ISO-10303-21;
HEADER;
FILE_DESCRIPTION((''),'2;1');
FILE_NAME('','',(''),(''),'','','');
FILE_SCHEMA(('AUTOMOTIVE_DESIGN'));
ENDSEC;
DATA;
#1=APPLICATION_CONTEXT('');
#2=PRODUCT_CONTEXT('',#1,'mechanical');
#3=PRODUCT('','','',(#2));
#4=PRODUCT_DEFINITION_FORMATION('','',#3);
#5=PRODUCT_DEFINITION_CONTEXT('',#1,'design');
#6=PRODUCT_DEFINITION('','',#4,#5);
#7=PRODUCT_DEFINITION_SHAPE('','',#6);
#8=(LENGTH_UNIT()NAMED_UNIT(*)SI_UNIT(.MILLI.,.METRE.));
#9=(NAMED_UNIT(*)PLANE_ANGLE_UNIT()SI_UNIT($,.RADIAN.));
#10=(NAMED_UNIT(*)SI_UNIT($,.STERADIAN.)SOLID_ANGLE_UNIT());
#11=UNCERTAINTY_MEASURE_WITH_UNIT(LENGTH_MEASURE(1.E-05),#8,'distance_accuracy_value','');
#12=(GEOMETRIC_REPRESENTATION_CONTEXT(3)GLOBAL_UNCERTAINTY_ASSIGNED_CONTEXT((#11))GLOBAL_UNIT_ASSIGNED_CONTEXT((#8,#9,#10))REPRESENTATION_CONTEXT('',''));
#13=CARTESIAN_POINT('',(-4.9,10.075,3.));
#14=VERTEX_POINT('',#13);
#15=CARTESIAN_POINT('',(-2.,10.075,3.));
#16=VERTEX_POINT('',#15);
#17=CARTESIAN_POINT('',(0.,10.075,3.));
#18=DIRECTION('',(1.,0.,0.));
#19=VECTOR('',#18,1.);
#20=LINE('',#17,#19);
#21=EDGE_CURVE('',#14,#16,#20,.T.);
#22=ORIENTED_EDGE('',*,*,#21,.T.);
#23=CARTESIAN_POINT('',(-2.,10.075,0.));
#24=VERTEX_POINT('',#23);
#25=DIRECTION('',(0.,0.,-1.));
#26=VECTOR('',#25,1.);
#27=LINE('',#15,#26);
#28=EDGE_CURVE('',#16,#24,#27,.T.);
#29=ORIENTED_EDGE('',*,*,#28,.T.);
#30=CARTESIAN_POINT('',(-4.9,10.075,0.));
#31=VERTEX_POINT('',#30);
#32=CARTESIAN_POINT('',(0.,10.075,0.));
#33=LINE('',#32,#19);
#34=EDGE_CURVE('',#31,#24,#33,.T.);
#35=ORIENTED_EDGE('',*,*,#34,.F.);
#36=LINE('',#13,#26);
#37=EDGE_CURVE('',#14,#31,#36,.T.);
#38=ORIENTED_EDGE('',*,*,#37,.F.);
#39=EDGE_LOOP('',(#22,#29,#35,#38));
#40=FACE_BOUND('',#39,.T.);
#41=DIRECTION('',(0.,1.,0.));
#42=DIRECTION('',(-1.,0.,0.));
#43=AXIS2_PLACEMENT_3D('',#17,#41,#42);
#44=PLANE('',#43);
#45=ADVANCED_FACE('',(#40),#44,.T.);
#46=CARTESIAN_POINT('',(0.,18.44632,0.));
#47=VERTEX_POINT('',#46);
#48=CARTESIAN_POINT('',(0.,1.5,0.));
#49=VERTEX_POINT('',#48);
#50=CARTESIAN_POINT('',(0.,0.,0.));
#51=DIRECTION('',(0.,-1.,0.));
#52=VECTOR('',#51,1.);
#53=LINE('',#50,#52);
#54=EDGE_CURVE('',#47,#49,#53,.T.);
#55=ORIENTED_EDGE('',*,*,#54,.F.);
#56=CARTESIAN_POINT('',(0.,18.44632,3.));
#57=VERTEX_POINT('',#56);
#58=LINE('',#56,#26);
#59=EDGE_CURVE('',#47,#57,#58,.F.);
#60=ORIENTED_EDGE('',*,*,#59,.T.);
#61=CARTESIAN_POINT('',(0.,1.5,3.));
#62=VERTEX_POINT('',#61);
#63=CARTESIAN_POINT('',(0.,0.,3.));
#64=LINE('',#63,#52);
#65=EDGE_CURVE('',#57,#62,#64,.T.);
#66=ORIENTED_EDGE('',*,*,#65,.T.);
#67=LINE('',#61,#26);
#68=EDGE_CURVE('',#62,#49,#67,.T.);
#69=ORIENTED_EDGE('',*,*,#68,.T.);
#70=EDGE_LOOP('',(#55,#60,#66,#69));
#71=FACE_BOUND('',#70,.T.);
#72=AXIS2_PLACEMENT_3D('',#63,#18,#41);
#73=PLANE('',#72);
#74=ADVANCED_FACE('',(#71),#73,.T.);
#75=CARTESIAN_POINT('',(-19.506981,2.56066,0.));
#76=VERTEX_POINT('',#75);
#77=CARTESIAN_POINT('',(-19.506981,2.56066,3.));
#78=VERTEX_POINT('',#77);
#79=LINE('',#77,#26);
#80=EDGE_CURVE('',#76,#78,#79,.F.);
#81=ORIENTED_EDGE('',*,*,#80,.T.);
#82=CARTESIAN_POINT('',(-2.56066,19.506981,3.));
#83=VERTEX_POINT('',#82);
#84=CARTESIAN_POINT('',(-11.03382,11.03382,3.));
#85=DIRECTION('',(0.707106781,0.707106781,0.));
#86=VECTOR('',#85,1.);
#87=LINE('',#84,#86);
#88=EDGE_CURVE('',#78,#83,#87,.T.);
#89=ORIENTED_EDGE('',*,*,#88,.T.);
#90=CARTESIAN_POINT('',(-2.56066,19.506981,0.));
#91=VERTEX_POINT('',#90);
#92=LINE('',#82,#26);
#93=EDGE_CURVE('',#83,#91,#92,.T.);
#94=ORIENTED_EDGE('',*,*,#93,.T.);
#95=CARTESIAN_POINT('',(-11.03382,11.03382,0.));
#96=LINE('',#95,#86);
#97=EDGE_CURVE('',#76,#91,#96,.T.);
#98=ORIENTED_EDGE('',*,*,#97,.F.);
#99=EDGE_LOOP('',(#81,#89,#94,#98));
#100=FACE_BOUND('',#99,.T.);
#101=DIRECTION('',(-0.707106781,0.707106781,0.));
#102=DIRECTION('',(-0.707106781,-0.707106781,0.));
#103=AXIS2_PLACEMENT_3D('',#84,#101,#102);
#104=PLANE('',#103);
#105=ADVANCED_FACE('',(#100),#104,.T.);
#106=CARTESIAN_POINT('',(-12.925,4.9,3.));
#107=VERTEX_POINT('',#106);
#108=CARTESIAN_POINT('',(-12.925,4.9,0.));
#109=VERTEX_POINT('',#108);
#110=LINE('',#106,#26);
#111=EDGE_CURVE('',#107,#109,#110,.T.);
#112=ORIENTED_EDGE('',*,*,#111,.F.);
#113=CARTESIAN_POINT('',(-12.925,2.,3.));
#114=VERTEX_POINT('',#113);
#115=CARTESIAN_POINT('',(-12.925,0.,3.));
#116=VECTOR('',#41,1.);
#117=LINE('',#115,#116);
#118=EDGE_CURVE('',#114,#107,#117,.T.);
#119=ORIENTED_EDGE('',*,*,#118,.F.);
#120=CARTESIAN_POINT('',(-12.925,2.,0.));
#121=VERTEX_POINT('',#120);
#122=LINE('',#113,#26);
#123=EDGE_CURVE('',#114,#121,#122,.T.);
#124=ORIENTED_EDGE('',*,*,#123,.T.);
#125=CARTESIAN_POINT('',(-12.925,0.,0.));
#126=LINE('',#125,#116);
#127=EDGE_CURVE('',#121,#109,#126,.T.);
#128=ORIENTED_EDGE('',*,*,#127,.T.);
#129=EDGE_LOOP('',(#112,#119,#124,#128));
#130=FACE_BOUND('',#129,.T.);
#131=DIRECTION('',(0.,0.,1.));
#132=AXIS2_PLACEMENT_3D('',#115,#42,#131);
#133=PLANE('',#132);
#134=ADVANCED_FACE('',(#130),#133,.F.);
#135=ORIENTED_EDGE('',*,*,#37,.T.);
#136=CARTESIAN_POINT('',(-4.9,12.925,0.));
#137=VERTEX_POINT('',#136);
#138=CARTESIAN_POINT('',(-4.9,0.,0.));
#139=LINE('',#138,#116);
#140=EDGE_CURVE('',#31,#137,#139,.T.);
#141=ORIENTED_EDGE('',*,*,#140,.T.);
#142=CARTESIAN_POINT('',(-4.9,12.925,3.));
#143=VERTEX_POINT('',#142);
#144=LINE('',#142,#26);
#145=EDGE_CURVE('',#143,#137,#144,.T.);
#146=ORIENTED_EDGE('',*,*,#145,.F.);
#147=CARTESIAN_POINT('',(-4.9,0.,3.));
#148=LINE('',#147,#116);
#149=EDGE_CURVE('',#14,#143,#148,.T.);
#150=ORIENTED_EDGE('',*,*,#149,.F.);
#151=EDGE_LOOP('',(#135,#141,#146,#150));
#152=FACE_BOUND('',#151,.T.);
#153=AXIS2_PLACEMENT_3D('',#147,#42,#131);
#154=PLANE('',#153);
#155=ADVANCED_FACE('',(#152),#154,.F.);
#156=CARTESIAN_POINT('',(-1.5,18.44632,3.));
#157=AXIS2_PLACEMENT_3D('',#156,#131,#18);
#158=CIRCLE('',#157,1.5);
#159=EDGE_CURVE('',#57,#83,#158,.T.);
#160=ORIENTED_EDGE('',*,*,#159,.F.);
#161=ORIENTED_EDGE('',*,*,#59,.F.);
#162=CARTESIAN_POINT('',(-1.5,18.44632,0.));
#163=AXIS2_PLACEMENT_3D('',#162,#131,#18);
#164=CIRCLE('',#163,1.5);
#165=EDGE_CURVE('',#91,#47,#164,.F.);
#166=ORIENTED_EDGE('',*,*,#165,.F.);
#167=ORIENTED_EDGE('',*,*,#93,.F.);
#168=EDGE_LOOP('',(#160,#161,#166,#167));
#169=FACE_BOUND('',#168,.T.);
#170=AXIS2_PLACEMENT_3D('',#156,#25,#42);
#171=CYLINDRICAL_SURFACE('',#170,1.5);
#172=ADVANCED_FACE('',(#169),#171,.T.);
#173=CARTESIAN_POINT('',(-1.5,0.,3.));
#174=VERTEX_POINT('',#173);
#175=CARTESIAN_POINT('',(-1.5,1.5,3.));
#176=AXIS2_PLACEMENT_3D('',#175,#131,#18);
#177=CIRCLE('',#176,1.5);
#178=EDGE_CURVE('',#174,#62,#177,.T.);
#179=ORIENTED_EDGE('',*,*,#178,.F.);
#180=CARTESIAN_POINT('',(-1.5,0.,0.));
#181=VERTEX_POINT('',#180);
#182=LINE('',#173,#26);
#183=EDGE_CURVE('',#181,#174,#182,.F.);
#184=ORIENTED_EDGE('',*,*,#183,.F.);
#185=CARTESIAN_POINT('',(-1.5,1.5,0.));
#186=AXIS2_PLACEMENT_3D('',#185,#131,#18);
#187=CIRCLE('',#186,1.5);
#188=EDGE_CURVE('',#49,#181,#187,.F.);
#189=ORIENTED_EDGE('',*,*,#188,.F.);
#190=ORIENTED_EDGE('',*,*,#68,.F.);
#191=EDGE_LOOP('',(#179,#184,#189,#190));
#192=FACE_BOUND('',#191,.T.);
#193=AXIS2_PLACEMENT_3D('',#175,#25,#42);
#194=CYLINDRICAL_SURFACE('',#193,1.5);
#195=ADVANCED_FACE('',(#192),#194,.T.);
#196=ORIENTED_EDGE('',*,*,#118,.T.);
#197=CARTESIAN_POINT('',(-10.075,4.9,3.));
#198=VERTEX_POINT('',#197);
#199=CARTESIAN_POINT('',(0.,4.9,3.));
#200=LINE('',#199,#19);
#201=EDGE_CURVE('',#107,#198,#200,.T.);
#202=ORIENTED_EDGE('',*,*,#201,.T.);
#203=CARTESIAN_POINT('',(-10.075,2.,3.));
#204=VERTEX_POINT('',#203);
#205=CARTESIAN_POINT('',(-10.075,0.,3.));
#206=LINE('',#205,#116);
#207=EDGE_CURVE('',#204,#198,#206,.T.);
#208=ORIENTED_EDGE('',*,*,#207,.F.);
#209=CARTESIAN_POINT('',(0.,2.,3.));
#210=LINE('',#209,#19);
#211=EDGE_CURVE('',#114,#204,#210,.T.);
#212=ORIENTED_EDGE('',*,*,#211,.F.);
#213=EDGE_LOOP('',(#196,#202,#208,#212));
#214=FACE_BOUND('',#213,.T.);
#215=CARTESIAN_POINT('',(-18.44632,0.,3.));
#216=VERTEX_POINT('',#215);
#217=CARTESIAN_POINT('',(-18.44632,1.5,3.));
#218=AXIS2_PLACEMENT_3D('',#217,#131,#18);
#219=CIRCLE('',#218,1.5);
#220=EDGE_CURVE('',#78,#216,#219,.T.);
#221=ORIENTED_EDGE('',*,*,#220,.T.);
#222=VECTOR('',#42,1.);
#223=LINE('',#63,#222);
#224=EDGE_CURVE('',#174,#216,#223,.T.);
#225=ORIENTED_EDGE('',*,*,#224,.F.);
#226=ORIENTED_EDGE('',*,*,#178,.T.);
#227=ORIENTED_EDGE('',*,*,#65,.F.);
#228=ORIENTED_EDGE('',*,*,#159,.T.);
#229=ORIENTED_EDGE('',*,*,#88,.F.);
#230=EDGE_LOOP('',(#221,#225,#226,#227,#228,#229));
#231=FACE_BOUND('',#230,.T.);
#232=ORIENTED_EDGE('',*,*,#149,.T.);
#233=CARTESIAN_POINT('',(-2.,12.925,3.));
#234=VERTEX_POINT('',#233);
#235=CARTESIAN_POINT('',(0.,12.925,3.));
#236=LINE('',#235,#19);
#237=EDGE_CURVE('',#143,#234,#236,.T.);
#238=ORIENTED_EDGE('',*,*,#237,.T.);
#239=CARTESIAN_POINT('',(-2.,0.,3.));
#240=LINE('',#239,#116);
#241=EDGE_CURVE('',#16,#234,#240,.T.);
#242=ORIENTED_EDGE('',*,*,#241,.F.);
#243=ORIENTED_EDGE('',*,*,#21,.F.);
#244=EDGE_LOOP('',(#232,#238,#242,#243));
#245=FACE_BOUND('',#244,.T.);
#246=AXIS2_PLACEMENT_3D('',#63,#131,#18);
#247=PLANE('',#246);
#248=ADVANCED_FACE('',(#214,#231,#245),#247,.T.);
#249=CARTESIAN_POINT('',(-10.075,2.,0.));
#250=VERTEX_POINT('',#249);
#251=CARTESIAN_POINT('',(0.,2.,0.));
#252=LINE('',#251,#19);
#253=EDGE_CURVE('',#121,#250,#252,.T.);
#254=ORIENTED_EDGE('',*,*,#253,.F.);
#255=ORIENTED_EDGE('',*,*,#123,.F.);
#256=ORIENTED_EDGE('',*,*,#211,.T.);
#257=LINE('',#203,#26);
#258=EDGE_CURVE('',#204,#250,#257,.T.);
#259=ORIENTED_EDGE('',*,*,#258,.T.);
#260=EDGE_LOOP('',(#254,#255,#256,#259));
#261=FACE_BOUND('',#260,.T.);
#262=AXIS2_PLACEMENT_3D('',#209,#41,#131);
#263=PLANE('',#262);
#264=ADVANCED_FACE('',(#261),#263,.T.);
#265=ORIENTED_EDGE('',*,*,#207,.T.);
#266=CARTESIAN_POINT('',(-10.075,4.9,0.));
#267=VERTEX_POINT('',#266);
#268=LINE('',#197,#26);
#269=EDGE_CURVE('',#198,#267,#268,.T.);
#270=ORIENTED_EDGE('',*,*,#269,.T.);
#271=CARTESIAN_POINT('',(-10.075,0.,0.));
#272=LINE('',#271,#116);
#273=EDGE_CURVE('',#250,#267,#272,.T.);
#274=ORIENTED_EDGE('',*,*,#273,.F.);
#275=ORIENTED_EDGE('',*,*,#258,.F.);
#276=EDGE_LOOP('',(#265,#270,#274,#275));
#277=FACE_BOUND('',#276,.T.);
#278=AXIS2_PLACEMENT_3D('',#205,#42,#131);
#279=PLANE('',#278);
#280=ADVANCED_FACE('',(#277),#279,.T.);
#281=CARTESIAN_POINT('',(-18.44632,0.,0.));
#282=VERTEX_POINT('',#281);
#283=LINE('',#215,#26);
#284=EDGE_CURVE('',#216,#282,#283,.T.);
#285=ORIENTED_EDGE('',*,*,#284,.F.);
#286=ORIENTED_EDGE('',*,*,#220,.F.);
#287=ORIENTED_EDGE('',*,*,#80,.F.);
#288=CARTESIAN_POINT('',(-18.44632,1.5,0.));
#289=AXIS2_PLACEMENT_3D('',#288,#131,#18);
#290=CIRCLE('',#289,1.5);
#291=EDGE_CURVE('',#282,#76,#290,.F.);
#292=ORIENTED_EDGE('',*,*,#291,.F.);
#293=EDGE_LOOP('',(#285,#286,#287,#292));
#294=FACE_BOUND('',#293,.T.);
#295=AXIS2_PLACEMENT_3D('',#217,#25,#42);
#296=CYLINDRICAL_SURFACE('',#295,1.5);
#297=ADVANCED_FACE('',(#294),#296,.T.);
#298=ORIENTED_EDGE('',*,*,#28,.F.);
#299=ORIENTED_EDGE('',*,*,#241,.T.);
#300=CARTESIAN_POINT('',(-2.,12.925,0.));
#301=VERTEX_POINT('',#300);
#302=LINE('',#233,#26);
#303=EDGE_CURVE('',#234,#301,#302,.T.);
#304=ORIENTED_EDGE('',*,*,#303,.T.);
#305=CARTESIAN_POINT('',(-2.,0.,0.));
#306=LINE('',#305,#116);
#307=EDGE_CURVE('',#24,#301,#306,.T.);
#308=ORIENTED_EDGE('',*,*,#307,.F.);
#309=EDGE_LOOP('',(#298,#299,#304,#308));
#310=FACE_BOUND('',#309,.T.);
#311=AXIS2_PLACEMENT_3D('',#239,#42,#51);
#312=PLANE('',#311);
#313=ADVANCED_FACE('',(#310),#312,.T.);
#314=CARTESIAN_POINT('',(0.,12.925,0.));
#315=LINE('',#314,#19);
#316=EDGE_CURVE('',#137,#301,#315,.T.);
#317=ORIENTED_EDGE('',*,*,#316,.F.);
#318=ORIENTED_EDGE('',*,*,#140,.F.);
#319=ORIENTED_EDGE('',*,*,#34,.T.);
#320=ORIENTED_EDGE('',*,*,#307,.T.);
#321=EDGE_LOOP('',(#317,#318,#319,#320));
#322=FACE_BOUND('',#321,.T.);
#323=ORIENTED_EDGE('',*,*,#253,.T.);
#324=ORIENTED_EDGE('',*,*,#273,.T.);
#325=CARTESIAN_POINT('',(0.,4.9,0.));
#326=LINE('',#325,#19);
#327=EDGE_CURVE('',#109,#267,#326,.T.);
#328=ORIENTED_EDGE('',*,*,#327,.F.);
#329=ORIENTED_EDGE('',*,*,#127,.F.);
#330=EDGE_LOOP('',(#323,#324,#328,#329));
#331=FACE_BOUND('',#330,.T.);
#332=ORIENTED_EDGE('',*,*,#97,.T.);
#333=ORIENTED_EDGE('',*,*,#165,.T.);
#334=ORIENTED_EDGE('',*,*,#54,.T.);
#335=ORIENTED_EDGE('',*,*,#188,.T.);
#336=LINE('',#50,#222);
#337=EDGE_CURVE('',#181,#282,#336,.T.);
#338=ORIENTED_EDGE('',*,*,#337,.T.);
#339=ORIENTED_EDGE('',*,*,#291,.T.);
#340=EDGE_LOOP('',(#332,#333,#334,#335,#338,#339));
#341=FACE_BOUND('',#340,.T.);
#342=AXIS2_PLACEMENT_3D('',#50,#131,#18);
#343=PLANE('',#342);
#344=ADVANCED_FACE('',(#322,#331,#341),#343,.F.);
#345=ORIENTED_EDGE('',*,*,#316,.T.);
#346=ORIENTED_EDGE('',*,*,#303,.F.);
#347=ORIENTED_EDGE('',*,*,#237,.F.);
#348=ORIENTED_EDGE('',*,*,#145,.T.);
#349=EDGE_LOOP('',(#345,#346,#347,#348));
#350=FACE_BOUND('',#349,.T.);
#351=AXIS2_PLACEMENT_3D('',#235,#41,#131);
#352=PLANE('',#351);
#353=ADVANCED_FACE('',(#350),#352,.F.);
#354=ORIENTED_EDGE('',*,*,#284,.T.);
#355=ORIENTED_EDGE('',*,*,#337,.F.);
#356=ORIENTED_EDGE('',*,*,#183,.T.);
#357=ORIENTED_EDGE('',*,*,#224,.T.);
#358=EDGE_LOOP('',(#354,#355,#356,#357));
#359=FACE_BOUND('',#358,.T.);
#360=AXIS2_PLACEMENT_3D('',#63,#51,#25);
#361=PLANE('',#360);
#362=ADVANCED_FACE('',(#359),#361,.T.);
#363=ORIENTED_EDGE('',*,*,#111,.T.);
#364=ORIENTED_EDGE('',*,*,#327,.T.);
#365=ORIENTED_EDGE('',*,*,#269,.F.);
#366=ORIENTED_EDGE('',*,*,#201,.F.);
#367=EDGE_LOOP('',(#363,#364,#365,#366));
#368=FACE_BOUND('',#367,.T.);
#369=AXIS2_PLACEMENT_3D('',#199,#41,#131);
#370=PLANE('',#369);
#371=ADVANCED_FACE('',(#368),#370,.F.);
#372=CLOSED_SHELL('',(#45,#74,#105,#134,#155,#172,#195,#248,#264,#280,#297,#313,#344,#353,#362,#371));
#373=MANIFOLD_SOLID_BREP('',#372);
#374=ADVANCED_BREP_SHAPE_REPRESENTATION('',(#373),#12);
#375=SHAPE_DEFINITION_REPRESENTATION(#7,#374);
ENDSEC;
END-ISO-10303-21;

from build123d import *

# Parameters (mm, degrees)
SKETCH_1_W      = 2.85
SKETCH_1_H      = 2.9
SKETCH_1_W_2    = 2.9
SKETCH_1_H_2    = 2.85
EXTRUDE_1_DEPTH = 3
FILLET_1_R      = 1.5


with BuildPart() as part:
    # Эскиз1 → Бобышка-Вытянуть1 (new body)
    with BuildSketch(Plane.XY):
        Polygon((0, 22.067640687), (0, 0), (-22.067640687, 0), align=None)
        with Locations((-11.5, 3.45)):
            Rectangle(SKETCH_1_W, SKETCH_1_H, mode=Mode.SUBTRACT)
        with Locations((-3.45, 11.5)):
            Rectangle(SKETCH_1_W_2, SKETCH_1_H_2, mode=Mode.SUBTRACT)
    extrude(amount=EXTRUDE_1_DEPTH)

    # Скругление1
    fillet_1_edges = [part.edges().sort_by_distance(p)[0] for p in [
        (0, 0, 1.5),
        (-22.067640687, 0, 1.5),
        (0, 22.067640687, 1.5),
    ]]
    fillet(fillet_1_edges, radius=FILLET_1_R)


solid = part.part
